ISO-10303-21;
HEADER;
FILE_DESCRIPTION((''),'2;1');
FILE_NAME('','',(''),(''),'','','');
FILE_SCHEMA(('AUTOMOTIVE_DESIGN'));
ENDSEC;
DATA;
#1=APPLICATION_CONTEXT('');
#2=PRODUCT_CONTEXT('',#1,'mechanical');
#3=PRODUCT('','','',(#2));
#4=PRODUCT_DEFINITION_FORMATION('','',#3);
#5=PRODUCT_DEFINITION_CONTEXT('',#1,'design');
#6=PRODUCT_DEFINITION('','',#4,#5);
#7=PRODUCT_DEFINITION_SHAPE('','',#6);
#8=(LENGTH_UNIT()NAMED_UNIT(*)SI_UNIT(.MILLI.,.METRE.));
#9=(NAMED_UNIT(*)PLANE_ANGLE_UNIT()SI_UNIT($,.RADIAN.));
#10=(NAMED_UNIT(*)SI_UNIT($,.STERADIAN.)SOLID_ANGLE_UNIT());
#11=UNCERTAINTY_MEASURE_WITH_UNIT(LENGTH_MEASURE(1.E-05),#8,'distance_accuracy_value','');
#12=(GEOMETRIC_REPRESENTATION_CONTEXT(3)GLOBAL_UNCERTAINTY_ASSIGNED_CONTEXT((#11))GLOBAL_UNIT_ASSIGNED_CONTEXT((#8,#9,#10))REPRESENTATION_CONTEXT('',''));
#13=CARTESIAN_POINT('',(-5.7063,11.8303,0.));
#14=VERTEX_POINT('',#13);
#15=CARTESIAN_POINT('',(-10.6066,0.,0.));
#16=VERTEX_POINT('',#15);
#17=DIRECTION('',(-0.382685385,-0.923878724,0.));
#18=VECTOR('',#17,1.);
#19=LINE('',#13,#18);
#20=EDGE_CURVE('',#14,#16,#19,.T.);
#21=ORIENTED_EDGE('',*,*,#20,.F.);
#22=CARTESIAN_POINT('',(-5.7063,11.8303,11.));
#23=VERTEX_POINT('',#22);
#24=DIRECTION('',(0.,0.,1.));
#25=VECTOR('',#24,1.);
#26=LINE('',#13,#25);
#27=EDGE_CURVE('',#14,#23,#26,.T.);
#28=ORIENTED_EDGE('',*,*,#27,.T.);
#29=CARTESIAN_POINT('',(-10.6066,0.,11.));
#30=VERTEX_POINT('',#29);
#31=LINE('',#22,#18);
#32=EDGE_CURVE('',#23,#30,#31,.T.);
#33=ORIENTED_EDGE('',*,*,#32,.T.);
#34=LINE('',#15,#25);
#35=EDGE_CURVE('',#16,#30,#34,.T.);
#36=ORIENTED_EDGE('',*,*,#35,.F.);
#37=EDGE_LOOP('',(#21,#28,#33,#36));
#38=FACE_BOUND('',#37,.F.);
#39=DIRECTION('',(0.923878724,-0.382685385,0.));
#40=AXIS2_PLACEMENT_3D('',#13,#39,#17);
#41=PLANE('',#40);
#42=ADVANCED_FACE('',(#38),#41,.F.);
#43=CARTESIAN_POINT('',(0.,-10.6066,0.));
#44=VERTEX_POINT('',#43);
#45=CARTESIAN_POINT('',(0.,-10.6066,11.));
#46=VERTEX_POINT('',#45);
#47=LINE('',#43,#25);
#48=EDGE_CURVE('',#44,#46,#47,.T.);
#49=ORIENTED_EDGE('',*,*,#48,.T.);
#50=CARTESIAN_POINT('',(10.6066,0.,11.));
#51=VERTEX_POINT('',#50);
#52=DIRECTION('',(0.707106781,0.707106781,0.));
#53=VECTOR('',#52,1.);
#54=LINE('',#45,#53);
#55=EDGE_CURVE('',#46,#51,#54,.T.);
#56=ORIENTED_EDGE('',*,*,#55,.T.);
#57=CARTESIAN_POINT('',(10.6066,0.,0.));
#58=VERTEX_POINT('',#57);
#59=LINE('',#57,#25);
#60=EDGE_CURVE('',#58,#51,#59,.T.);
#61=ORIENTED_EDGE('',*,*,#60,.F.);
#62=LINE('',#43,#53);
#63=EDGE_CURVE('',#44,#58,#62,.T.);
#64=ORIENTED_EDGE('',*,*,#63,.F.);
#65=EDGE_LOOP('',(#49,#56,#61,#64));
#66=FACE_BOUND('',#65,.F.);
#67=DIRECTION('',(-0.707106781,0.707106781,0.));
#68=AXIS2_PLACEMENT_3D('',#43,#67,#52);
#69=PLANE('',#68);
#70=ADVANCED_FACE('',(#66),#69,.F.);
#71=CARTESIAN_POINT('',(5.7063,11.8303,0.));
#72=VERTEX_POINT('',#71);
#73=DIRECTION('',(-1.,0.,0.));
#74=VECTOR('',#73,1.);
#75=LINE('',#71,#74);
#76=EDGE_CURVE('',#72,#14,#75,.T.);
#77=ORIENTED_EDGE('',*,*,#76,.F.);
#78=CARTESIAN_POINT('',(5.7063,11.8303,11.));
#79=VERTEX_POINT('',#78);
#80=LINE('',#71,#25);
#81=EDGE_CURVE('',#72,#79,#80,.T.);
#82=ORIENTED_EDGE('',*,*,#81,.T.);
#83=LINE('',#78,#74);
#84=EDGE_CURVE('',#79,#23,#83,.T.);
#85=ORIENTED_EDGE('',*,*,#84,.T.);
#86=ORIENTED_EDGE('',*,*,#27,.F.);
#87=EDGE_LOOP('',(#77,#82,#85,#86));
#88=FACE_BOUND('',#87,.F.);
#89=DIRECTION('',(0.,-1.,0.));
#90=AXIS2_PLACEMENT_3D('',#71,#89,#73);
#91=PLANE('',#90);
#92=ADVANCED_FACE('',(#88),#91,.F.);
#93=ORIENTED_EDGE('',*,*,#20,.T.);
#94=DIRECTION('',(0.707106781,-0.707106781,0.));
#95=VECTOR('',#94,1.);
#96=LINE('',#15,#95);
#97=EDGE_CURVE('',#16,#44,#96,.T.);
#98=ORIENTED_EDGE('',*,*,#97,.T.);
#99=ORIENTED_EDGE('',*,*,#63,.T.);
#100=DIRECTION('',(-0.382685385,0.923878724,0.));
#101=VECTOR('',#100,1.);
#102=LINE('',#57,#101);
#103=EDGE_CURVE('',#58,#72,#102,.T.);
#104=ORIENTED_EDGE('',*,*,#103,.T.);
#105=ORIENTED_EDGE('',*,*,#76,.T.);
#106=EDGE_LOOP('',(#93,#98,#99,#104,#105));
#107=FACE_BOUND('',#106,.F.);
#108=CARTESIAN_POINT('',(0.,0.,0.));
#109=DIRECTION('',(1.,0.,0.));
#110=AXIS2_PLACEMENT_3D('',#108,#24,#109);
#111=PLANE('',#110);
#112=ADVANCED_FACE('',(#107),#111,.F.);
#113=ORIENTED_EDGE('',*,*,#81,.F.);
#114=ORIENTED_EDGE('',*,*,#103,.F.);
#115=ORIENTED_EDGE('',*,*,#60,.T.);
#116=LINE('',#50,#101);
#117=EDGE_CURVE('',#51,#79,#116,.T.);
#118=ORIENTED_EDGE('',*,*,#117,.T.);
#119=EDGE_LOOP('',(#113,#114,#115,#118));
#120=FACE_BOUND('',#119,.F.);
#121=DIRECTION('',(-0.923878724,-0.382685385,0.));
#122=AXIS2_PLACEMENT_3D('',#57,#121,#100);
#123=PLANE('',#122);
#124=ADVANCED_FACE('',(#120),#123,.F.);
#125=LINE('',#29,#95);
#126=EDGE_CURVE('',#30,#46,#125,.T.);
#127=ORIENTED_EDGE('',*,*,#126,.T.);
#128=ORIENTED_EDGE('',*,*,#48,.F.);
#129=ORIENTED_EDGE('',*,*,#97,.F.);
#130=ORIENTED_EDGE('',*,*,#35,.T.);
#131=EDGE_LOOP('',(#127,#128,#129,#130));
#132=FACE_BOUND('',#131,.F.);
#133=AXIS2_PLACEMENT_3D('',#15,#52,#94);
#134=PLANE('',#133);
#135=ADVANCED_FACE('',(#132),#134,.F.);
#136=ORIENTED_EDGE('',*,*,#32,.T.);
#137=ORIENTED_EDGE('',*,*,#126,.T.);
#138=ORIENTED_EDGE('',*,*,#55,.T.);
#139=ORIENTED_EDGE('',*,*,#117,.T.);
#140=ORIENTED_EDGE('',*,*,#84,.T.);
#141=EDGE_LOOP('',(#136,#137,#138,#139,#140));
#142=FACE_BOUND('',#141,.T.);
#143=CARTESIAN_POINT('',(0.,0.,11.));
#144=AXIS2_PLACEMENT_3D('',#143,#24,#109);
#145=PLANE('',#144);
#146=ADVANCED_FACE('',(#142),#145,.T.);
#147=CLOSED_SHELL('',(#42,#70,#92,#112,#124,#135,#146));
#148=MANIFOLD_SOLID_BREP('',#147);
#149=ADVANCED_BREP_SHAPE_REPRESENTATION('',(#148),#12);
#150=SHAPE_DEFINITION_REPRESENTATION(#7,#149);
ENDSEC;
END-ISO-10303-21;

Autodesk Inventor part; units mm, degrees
ref_plane "YZ Plane" through (0, 0, 0) normal (1, 0, 0) x (0, 1, 0)
ref_plane "XZ Plane" through (0, 0, 0) normal (0, 1, 0) x (-1, 0, 0)
ref_plane "XY Plane" through (0, 0, 0) normal (0, 0, 1) x (1, 0, 0)
sketch "Sketch1" plane through (0, 0, 0) normal (0, 0, 1) x (1, 0, 0)
  line L0 (5.3033, -5.3033) -> (0, 0) construction
  line L1 (0, 0) -> (-5.3033, -5.3033) construction
  line L2 (0, -10.6066) -> (10.6066, 0)
  line L3 (10.6066, 0) -> (5.7063, 11.8303)
  line L4 (5.7063, 11.8303) -> (-5.7063, 11.8303)
  line L5 (-5.7063, 11.8303) -> (-10.6066, 0)
  line L6 (-10.6066, 0) -> (0, -10.6066)
  line L7 (0, -10.6066) -> (0, 11.8303) construction
  dimension "d0" = 90
  dimension "d1" = 112.5
  dimension "d2" = 112.5
  dimension "d3" = 112.5
  dimension "d4" = 15
  dimension "d5" = 12.805
extrude "Extrusion1" add sketch "Sketch1" along normal blind 11
equation "\"d2\" = d1"
equation "\"d3\" = d1"
properties part number "Prisma-90" material "Glass"
